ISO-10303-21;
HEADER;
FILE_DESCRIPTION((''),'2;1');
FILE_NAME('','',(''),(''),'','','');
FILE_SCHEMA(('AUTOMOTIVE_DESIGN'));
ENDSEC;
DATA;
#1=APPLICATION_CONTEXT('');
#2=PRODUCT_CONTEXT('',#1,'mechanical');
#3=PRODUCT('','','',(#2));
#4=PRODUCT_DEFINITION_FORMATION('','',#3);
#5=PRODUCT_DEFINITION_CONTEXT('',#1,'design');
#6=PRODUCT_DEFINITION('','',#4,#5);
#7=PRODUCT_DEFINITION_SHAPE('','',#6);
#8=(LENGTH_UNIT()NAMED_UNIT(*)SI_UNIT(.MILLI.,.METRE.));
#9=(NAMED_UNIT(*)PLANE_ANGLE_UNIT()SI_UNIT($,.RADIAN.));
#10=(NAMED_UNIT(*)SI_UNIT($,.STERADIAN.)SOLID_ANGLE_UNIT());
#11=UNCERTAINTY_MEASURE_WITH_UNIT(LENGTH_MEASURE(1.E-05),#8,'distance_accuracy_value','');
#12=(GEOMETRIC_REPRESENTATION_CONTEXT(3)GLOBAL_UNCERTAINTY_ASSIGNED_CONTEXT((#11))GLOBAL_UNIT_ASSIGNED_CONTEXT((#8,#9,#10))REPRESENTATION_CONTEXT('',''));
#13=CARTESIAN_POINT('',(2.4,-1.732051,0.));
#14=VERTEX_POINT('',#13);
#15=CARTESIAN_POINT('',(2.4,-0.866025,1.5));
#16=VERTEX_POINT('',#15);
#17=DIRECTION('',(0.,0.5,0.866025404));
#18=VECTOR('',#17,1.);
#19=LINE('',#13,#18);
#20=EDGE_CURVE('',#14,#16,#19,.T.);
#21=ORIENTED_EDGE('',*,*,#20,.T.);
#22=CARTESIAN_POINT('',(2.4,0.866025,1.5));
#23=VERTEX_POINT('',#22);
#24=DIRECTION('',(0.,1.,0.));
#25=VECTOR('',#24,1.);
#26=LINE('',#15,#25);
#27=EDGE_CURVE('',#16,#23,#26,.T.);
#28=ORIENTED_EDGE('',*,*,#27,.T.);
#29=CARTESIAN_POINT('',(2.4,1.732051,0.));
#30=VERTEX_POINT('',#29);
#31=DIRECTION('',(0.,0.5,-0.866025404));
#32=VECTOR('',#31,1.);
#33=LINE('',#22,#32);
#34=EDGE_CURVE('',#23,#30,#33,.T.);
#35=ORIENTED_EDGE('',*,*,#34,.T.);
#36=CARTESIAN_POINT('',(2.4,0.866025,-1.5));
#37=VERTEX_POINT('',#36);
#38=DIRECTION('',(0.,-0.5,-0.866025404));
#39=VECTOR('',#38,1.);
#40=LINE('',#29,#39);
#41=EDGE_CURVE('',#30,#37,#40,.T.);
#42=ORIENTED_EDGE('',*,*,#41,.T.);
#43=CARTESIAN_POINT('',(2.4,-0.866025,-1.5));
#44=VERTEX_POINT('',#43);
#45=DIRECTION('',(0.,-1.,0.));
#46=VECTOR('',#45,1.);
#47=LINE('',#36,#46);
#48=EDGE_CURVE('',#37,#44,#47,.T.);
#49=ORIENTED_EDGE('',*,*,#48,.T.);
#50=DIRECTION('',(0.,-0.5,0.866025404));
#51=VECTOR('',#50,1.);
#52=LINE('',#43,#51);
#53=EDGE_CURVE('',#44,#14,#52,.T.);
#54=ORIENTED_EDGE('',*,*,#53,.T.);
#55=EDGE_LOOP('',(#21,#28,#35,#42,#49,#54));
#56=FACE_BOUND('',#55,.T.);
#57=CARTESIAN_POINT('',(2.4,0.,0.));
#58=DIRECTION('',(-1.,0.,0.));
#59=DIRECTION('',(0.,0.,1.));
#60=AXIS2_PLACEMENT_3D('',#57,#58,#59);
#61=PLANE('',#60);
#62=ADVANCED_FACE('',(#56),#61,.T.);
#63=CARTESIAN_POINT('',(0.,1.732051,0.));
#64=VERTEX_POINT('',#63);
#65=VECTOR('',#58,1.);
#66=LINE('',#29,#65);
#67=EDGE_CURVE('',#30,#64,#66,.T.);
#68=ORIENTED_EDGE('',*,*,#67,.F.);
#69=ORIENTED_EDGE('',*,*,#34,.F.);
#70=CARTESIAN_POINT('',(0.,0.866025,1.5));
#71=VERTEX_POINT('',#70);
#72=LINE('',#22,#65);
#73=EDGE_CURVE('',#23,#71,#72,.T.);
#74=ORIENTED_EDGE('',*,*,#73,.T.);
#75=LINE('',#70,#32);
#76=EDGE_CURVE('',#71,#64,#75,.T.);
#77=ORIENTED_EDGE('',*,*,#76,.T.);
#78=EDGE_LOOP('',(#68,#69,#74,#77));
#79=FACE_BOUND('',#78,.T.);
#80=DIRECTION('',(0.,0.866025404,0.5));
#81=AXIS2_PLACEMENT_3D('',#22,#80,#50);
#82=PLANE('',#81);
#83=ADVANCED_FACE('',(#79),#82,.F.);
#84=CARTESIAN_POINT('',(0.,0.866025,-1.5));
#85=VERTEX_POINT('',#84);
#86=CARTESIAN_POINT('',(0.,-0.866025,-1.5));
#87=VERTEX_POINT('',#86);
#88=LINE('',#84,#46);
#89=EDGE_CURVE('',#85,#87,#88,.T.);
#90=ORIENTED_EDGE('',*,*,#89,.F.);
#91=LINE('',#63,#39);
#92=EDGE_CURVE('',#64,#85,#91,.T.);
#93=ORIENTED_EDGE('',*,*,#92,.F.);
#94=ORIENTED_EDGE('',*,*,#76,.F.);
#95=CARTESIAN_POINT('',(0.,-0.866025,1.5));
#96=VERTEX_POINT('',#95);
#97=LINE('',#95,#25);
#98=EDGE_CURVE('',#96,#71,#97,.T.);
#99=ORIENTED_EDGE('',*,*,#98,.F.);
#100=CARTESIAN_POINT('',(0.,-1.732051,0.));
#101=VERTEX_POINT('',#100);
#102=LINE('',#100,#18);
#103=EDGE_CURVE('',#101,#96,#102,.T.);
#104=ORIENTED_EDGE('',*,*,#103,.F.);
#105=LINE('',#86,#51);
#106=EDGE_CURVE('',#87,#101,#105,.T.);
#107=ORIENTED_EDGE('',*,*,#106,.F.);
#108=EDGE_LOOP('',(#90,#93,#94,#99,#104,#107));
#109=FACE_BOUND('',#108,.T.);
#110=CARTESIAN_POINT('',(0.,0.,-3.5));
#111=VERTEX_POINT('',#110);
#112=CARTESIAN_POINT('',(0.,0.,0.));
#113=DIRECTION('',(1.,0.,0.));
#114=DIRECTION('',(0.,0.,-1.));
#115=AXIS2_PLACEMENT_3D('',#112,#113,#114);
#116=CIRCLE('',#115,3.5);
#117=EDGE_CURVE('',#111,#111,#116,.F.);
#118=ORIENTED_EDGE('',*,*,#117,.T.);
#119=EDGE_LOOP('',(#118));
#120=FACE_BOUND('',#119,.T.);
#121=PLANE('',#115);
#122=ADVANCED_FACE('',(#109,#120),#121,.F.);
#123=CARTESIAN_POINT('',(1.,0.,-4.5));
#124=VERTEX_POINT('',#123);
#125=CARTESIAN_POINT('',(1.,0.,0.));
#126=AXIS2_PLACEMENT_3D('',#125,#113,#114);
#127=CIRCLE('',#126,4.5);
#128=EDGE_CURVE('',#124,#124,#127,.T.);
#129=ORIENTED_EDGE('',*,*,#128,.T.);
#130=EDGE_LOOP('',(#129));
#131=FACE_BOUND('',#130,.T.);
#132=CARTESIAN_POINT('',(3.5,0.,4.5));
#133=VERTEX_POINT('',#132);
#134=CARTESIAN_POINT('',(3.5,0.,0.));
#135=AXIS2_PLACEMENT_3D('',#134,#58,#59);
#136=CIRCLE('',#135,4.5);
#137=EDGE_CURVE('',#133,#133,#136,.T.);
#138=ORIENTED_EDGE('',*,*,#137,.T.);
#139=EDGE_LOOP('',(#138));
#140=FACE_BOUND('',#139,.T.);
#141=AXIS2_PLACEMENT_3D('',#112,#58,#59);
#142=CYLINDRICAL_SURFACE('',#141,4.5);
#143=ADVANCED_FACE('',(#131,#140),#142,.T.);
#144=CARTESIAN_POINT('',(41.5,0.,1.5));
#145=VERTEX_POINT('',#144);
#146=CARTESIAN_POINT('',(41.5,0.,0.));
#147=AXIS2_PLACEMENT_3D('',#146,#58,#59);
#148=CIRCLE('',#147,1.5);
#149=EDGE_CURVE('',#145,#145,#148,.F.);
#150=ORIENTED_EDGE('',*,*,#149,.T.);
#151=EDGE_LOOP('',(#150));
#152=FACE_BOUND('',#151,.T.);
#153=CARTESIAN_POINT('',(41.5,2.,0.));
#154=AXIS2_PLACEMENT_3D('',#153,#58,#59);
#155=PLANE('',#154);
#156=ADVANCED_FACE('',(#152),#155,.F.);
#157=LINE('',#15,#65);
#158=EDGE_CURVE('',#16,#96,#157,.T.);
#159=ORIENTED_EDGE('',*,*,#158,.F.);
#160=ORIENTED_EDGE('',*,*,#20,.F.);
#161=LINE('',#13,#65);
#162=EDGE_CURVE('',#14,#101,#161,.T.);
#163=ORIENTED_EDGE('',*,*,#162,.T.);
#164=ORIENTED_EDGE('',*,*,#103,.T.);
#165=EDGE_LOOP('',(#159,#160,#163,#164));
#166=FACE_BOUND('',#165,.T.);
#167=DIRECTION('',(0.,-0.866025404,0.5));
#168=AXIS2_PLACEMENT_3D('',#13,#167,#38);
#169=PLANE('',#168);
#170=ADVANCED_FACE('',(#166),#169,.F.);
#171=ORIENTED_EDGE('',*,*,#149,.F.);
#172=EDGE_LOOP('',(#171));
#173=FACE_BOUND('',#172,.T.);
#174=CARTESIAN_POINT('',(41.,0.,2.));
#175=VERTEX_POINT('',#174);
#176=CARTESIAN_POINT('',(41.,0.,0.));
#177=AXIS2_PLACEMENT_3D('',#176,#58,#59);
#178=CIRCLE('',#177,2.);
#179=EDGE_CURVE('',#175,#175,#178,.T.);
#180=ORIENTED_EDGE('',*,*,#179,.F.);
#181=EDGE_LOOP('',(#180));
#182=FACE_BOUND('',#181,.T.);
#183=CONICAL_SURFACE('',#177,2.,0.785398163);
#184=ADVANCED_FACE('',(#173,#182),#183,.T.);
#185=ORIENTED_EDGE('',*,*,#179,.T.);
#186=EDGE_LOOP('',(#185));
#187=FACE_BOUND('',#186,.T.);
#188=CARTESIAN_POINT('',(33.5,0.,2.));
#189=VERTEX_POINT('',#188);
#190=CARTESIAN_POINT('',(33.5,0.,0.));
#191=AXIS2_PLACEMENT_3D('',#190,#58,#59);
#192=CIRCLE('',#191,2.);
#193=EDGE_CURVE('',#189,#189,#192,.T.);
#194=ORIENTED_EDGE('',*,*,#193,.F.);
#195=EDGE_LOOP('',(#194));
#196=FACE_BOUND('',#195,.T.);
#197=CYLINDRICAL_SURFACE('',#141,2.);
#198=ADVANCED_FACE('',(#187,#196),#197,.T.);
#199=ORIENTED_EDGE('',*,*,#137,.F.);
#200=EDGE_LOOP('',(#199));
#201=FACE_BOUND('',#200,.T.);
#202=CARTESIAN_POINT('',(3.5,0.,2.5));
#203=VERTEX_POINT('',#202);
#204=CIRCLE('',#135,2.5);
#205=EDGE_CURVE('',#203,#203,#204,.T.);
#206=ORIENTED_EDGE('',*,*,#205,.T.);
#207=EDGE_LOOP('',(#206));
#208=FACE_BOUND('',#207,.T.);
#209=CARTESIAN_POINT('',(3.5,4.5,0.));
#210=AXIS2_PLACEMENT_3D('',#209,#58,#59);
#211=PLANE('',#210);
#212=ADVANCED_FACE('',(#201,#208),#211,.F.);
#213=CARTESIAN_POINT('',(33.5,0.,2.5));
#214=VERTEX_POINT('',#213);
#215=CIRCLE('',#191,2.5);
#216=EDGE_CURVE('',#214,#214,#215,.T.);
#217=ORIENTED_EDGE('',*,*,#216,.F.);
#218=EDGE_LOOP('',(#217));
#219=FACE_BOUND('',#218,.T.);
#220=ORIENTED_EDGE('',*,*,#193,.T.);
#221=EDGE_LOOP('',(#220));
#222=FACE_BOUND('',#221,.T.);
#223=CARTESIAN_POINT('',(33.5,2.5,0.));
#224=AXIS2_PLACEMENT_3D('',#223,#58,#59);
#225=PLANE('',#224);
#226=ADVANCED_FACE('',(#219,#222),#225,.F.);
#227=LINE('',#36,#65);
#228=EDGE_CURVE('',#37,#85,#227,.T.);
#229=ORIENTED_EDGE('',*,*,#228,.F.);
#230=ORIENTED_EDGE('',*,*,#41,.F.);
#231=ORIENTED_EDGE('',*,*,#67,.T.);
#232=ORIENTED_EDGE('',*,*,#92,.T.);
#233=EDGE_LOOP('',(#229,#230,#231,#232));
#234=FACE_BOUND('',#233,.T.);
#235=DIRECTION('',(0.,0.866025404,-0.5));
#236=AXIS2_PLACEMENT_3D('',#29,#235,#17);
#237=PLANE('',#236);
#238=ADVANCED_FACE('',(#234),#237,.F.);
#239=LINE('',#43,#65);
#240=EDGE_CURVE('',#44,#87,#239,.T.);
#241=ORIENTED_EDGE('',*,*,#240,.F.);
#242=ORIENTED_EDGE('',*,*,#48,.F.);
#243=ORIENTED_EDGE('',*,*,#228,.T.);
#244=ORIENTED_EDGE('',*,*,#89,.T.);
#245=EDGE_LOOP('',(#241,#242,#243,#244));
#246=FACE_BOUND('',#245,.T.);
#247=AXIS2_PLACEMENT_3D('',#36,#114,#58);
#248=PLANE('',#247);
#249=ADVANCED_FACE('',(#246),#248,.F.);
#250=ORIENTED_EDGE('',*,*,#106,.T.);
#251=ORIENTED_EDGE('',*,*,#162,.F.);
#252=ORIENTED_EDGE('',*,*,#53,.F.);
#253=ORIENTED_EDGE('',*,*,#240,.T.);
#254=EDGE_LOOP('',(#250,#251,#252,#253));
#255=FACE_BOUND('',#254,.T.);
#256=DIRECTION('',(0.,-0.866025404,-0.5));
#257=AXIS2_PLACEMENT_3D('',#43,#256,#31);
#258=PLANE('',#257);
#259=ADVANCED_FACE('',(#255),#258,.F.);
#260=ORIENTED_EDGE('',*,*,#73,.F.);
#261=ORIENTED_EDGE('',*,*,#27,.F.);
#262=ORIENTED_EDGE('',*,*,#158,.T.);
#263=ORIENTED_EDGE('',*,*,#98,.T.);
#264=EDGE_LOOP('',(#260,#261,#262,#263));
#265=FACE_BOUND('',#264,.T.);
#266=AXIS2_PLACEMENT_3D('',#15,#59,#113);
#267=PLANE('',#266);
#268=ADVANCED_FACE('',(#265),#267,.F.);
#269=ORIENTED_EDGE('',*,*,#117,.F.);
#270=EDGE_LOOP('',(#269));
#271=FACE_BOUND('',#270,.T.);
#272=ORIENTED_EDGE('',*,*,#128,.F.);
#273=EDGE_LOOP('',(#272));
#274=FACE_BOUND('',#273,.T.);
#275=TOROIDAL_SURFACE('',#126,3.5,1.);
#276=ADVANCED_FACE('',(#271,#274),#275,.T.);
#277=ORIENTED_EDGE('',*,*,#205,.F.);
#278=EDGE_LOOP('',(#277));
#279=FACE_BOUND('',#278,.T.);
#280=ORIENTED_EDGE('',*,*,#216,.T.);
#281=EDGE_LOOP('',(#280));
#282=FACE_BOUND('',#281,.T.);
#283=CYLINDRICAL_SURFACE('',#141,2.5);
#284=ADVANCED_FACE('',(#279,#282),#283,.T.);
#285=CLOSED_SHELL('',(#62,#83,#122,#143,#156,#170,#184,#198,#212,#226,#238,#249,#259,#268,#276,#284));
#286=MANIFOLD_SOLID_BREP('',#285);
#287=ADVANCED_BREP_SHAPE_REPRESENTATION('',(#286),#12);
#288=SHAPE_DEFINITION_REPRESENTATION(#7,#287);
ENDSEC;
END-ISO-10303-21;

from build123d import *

# Parameters (mm, degrees)
CUT_EXTRUDE_1_DEPTH = 2.4
FILLET_1_R          = 1
CHAMFER_1_SIZE      = 0.5


with BuildPart() as part:
    # 草图1 → 旋转1 (revolve)
    with BuildSketch(Plane.XY, mode=Mode.PRIVATE) as revolve_1_sk:
        Polygon((0, 0), (0, 4.5), (3.5, 4.5), (3.5, 2.5), (33.5, 2.5), (33.5, 2), (41.5, 2), (41.5, 0), align=None)
    revolve(revolve_1_sk.sketch.rotate(Axis((0, 0, 0), (1, 0, 0)), 90), axis=Axis((0, 0, 0), (1, 0, 0)))

    # 草图2 → 切除-拉伸1 (cut)
    with BuildSketch(Plane.ZY):
        Polygon((0, 1.732050808), (-1.5, 0.866025404), (-1.5, -0.866025404), (0, -1.732050808), (1.5, -0.866025404), (1.5, 0.866025404), align=None)
    extrude(amount=-CUT_EXTRUDE_1_DEPTH, mode=Mode.SUBTRACT)

    # 圆角1
    fillet_1_edges = [part.edges().sort_by_distance(p)[0] for p in [
        (0, 0, -4.5),
    ]]
    fillet(fillet_1_edges, radius=FILLET_1_R)

    # 倒角1
    chamfer_1_edges = [part.edges().sort_by_distance(p)[0] for p in [
        (41.5, 0, -2),
    ]]
    chamfer(chamfer_1_edges, length=CHAMFER_1_SIZE)


solid = part.part
